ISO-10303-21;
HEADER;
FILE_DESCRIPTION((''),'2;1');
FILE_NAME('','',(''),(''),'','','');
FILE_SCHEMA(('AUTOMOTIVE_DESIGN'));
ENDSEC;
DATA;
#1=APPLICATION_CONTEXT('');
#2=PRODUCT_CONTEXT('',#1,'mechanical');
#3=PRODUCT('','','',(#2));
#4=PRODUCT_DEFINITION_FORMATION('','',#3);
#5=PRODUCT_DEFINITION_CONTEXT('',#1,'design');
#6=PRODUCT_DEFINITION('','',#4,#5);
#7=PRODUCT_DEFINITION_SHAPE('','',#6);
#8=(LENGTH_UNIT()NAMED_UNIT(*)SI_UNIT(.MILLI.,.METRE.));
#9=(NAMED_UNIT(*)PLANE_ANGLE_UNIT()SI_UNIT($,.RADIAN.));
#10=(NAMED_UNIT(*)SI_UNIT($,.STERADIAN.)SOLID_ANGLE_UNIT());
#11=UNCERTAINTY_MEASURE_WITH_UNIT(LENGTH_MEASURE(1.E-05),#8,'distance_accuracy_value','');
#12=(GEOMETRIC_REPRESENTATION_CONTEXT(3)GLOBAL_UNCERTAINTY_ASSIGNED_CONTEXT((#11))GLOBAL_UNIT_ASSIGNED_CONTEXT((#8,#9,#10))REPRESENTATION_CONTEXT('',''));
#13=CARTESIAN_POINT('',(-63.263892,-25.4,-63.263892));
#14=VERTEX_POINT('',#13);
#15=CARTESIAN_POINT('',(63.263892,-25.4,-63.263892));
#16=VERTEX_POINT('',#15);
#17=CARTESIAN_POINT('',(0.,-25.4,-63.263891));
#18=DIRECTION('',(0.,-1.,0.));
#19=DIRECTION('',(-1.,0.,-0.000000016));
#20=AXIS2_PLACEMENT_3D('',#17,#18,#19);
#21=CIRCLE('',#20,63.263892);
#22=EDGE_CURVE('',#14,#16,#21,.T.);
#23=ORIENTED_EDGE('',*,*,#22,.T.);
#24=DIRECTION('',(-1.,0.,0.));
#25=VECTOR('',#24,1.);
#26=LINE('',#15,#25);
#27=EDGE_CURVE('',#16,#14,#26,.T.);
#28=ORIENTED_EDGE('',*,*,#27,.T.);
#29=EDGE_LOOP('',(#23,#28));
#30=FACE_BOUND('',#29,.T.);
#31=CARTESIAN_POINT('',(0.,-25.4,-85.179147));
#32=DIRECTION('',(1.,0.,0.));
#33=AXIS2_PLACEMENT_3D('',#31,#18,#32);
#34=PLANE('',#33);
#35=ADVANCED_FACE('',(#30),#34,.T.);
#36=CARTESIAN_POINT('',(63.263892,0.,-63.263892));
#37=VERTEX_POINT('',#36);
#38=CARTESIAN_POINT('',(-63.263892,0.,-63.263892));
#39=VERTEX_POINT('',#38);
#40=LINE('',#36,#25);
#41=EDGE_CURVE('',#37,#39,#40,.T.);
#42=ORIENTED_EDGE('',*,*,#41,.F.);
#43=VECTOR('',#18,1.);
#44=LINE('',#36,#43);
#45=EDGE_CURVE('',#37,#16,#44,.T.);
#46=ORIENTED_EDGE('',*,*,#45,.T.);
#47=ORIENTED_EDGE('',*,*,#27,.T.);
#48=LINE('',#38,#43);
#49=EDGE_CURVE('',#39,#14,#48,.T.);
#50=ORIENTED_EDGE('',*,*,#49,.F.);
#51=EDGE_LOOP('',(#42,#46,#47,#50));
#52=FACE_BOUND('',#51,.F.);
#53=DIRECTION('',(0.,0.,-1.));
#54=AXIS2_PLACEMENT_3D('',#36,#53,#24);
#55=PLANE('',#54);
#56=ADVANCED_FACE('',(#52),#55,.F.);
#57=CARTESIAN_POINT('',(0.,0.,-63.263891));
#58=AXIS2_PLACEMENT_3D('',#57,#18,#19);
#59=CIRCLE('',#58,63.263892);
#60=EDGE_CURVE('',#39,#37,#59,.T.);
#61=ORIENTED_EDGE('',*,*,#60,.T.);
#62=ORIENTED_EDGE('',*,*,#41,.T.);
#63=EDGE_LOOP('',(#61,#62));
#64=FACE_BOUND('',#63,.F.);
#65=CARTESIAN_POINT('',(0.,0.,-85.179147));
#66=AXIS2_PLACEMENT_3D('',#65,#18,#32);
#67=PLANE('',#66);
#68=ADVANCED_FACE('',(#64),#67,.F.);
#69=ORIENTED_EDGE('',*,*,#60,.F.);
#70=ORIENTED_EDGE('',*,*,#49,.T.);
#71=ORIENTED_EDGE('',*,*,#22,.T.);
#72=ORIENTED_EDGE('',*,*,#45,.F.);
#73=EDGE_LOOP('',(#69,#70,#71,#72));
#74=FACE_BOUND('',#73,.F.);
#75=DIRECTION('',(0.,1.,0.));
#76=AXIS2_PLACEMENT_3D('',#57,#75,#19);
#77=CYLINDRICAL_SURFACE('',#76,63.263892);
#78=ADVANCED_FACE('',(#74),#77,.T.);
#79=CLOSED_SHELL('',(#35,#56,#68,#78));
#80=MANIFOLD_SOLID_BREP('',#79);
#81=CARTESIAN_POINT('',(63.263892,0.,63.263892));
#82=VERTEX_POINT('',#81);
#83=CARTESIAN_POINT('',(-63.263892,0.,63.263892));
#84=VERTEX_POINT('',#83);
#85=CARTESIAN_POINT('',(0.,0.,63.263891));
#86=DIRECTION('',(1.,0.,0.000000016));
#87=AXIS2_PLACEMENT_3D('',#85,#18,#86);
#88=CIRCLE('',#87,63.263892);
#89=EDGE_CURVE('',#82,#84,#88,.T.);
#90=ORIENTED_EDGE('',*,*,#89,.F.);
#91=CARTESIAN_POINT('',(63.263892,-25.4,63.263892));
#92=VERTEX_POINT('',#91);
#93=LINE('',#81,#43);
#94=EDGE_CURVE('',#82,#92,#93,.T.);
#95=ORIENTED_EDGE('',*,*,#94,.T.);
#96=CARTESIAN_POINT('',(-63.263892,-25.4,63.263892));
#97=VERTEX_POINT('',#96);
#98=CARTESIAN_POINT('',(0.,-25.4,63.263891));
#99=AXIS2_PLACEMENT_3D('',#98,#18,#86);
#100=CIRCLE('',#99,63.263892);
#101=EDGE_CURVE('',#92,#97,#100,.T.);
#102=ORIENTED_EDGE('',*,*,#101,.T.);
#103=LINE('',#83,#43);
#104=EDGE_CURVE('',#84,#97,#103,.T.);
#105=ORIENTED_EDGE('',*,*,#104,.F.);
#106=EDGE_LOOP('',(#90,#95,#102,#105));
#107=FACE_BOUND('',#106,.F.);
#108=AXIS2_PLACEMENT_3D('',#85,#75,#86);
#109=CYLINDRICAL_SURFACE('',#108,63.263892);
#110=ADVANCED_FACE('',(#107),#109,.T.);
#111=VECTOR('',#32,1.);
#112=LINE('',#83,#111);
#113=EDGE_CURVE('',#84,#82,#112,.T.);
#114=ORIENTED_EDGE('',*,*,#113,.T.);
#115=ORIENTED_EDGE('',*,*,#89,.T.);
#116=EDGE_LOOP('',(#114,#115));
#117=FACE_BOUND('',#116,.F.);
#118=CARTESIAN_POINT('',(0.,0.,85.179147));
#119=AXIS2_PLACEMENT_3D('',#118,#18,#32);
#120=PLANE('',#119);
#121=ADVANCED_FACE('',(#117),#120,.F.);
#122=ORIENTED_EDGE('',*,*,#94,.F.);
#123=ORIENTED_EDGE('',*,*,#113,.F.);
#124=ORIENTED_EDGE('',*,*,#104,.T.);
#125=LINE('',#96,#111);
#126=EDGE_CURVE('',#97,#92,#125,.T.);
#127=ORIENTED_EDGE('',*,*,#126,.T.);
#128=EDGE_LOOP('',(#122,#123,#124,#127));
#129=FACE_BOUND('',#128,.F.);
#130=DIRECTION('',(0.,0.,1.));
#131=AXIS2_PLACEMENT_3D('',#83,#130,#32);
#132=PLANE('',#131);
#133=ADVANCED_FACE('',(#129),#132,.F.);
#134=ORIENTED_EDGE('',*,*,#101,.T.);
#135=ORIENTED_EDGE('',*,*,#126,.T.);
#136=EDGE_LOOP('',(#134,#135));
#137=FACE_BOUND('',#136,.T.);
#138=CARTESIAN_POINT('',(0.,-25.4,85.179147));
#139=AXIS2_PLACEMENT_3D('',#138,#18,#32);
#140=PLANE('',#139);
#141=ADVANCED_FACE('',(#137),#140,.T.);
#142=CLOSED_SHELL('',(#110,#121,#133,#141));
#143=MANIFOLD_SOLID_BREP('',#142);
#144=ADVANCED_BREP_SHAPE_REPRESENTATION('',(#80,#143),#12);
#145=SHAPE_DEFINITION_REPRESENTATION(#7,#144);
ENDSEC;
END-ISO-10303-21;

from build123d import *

# Parameters (mm, degrees)
F1_DEPTH = 25.4
F2_DEPTH = 25.4


with BuildPart() as f1:
    # F0 (on Front) → F1 (new body)
    with BuildSketch(Plane.XZ):
        with BuildLine():
            Line((-63.263892, 63.263892), (0, 63.263892))
            Line((0, 63.263892), (63.263892, 63.263892))
            ThreePointArc((63.263892, 63.263892), (0, 126.527783), (-63.263892, 63.263892))
        make_face()
    extrude(amount=F1_DEPTH)


with BuildPart() as f2:
    # F0 (on Front) → F2 (new body)
    with BuildSketch(Plane.XZ):
        with BuildLine():
            Line((63.263892, -63.263892), (0, -63.263892))
            Line((0, -63.263892), (-63.263892, -63.263892))
            ThreePointArc((-63.263892, -63.263892), (0, -126.527783), (63.263892, -63.263892))
        make_face()
    extrude(amount=F2_DEPTH)


solid = Compound([f1.part, f2.part])
